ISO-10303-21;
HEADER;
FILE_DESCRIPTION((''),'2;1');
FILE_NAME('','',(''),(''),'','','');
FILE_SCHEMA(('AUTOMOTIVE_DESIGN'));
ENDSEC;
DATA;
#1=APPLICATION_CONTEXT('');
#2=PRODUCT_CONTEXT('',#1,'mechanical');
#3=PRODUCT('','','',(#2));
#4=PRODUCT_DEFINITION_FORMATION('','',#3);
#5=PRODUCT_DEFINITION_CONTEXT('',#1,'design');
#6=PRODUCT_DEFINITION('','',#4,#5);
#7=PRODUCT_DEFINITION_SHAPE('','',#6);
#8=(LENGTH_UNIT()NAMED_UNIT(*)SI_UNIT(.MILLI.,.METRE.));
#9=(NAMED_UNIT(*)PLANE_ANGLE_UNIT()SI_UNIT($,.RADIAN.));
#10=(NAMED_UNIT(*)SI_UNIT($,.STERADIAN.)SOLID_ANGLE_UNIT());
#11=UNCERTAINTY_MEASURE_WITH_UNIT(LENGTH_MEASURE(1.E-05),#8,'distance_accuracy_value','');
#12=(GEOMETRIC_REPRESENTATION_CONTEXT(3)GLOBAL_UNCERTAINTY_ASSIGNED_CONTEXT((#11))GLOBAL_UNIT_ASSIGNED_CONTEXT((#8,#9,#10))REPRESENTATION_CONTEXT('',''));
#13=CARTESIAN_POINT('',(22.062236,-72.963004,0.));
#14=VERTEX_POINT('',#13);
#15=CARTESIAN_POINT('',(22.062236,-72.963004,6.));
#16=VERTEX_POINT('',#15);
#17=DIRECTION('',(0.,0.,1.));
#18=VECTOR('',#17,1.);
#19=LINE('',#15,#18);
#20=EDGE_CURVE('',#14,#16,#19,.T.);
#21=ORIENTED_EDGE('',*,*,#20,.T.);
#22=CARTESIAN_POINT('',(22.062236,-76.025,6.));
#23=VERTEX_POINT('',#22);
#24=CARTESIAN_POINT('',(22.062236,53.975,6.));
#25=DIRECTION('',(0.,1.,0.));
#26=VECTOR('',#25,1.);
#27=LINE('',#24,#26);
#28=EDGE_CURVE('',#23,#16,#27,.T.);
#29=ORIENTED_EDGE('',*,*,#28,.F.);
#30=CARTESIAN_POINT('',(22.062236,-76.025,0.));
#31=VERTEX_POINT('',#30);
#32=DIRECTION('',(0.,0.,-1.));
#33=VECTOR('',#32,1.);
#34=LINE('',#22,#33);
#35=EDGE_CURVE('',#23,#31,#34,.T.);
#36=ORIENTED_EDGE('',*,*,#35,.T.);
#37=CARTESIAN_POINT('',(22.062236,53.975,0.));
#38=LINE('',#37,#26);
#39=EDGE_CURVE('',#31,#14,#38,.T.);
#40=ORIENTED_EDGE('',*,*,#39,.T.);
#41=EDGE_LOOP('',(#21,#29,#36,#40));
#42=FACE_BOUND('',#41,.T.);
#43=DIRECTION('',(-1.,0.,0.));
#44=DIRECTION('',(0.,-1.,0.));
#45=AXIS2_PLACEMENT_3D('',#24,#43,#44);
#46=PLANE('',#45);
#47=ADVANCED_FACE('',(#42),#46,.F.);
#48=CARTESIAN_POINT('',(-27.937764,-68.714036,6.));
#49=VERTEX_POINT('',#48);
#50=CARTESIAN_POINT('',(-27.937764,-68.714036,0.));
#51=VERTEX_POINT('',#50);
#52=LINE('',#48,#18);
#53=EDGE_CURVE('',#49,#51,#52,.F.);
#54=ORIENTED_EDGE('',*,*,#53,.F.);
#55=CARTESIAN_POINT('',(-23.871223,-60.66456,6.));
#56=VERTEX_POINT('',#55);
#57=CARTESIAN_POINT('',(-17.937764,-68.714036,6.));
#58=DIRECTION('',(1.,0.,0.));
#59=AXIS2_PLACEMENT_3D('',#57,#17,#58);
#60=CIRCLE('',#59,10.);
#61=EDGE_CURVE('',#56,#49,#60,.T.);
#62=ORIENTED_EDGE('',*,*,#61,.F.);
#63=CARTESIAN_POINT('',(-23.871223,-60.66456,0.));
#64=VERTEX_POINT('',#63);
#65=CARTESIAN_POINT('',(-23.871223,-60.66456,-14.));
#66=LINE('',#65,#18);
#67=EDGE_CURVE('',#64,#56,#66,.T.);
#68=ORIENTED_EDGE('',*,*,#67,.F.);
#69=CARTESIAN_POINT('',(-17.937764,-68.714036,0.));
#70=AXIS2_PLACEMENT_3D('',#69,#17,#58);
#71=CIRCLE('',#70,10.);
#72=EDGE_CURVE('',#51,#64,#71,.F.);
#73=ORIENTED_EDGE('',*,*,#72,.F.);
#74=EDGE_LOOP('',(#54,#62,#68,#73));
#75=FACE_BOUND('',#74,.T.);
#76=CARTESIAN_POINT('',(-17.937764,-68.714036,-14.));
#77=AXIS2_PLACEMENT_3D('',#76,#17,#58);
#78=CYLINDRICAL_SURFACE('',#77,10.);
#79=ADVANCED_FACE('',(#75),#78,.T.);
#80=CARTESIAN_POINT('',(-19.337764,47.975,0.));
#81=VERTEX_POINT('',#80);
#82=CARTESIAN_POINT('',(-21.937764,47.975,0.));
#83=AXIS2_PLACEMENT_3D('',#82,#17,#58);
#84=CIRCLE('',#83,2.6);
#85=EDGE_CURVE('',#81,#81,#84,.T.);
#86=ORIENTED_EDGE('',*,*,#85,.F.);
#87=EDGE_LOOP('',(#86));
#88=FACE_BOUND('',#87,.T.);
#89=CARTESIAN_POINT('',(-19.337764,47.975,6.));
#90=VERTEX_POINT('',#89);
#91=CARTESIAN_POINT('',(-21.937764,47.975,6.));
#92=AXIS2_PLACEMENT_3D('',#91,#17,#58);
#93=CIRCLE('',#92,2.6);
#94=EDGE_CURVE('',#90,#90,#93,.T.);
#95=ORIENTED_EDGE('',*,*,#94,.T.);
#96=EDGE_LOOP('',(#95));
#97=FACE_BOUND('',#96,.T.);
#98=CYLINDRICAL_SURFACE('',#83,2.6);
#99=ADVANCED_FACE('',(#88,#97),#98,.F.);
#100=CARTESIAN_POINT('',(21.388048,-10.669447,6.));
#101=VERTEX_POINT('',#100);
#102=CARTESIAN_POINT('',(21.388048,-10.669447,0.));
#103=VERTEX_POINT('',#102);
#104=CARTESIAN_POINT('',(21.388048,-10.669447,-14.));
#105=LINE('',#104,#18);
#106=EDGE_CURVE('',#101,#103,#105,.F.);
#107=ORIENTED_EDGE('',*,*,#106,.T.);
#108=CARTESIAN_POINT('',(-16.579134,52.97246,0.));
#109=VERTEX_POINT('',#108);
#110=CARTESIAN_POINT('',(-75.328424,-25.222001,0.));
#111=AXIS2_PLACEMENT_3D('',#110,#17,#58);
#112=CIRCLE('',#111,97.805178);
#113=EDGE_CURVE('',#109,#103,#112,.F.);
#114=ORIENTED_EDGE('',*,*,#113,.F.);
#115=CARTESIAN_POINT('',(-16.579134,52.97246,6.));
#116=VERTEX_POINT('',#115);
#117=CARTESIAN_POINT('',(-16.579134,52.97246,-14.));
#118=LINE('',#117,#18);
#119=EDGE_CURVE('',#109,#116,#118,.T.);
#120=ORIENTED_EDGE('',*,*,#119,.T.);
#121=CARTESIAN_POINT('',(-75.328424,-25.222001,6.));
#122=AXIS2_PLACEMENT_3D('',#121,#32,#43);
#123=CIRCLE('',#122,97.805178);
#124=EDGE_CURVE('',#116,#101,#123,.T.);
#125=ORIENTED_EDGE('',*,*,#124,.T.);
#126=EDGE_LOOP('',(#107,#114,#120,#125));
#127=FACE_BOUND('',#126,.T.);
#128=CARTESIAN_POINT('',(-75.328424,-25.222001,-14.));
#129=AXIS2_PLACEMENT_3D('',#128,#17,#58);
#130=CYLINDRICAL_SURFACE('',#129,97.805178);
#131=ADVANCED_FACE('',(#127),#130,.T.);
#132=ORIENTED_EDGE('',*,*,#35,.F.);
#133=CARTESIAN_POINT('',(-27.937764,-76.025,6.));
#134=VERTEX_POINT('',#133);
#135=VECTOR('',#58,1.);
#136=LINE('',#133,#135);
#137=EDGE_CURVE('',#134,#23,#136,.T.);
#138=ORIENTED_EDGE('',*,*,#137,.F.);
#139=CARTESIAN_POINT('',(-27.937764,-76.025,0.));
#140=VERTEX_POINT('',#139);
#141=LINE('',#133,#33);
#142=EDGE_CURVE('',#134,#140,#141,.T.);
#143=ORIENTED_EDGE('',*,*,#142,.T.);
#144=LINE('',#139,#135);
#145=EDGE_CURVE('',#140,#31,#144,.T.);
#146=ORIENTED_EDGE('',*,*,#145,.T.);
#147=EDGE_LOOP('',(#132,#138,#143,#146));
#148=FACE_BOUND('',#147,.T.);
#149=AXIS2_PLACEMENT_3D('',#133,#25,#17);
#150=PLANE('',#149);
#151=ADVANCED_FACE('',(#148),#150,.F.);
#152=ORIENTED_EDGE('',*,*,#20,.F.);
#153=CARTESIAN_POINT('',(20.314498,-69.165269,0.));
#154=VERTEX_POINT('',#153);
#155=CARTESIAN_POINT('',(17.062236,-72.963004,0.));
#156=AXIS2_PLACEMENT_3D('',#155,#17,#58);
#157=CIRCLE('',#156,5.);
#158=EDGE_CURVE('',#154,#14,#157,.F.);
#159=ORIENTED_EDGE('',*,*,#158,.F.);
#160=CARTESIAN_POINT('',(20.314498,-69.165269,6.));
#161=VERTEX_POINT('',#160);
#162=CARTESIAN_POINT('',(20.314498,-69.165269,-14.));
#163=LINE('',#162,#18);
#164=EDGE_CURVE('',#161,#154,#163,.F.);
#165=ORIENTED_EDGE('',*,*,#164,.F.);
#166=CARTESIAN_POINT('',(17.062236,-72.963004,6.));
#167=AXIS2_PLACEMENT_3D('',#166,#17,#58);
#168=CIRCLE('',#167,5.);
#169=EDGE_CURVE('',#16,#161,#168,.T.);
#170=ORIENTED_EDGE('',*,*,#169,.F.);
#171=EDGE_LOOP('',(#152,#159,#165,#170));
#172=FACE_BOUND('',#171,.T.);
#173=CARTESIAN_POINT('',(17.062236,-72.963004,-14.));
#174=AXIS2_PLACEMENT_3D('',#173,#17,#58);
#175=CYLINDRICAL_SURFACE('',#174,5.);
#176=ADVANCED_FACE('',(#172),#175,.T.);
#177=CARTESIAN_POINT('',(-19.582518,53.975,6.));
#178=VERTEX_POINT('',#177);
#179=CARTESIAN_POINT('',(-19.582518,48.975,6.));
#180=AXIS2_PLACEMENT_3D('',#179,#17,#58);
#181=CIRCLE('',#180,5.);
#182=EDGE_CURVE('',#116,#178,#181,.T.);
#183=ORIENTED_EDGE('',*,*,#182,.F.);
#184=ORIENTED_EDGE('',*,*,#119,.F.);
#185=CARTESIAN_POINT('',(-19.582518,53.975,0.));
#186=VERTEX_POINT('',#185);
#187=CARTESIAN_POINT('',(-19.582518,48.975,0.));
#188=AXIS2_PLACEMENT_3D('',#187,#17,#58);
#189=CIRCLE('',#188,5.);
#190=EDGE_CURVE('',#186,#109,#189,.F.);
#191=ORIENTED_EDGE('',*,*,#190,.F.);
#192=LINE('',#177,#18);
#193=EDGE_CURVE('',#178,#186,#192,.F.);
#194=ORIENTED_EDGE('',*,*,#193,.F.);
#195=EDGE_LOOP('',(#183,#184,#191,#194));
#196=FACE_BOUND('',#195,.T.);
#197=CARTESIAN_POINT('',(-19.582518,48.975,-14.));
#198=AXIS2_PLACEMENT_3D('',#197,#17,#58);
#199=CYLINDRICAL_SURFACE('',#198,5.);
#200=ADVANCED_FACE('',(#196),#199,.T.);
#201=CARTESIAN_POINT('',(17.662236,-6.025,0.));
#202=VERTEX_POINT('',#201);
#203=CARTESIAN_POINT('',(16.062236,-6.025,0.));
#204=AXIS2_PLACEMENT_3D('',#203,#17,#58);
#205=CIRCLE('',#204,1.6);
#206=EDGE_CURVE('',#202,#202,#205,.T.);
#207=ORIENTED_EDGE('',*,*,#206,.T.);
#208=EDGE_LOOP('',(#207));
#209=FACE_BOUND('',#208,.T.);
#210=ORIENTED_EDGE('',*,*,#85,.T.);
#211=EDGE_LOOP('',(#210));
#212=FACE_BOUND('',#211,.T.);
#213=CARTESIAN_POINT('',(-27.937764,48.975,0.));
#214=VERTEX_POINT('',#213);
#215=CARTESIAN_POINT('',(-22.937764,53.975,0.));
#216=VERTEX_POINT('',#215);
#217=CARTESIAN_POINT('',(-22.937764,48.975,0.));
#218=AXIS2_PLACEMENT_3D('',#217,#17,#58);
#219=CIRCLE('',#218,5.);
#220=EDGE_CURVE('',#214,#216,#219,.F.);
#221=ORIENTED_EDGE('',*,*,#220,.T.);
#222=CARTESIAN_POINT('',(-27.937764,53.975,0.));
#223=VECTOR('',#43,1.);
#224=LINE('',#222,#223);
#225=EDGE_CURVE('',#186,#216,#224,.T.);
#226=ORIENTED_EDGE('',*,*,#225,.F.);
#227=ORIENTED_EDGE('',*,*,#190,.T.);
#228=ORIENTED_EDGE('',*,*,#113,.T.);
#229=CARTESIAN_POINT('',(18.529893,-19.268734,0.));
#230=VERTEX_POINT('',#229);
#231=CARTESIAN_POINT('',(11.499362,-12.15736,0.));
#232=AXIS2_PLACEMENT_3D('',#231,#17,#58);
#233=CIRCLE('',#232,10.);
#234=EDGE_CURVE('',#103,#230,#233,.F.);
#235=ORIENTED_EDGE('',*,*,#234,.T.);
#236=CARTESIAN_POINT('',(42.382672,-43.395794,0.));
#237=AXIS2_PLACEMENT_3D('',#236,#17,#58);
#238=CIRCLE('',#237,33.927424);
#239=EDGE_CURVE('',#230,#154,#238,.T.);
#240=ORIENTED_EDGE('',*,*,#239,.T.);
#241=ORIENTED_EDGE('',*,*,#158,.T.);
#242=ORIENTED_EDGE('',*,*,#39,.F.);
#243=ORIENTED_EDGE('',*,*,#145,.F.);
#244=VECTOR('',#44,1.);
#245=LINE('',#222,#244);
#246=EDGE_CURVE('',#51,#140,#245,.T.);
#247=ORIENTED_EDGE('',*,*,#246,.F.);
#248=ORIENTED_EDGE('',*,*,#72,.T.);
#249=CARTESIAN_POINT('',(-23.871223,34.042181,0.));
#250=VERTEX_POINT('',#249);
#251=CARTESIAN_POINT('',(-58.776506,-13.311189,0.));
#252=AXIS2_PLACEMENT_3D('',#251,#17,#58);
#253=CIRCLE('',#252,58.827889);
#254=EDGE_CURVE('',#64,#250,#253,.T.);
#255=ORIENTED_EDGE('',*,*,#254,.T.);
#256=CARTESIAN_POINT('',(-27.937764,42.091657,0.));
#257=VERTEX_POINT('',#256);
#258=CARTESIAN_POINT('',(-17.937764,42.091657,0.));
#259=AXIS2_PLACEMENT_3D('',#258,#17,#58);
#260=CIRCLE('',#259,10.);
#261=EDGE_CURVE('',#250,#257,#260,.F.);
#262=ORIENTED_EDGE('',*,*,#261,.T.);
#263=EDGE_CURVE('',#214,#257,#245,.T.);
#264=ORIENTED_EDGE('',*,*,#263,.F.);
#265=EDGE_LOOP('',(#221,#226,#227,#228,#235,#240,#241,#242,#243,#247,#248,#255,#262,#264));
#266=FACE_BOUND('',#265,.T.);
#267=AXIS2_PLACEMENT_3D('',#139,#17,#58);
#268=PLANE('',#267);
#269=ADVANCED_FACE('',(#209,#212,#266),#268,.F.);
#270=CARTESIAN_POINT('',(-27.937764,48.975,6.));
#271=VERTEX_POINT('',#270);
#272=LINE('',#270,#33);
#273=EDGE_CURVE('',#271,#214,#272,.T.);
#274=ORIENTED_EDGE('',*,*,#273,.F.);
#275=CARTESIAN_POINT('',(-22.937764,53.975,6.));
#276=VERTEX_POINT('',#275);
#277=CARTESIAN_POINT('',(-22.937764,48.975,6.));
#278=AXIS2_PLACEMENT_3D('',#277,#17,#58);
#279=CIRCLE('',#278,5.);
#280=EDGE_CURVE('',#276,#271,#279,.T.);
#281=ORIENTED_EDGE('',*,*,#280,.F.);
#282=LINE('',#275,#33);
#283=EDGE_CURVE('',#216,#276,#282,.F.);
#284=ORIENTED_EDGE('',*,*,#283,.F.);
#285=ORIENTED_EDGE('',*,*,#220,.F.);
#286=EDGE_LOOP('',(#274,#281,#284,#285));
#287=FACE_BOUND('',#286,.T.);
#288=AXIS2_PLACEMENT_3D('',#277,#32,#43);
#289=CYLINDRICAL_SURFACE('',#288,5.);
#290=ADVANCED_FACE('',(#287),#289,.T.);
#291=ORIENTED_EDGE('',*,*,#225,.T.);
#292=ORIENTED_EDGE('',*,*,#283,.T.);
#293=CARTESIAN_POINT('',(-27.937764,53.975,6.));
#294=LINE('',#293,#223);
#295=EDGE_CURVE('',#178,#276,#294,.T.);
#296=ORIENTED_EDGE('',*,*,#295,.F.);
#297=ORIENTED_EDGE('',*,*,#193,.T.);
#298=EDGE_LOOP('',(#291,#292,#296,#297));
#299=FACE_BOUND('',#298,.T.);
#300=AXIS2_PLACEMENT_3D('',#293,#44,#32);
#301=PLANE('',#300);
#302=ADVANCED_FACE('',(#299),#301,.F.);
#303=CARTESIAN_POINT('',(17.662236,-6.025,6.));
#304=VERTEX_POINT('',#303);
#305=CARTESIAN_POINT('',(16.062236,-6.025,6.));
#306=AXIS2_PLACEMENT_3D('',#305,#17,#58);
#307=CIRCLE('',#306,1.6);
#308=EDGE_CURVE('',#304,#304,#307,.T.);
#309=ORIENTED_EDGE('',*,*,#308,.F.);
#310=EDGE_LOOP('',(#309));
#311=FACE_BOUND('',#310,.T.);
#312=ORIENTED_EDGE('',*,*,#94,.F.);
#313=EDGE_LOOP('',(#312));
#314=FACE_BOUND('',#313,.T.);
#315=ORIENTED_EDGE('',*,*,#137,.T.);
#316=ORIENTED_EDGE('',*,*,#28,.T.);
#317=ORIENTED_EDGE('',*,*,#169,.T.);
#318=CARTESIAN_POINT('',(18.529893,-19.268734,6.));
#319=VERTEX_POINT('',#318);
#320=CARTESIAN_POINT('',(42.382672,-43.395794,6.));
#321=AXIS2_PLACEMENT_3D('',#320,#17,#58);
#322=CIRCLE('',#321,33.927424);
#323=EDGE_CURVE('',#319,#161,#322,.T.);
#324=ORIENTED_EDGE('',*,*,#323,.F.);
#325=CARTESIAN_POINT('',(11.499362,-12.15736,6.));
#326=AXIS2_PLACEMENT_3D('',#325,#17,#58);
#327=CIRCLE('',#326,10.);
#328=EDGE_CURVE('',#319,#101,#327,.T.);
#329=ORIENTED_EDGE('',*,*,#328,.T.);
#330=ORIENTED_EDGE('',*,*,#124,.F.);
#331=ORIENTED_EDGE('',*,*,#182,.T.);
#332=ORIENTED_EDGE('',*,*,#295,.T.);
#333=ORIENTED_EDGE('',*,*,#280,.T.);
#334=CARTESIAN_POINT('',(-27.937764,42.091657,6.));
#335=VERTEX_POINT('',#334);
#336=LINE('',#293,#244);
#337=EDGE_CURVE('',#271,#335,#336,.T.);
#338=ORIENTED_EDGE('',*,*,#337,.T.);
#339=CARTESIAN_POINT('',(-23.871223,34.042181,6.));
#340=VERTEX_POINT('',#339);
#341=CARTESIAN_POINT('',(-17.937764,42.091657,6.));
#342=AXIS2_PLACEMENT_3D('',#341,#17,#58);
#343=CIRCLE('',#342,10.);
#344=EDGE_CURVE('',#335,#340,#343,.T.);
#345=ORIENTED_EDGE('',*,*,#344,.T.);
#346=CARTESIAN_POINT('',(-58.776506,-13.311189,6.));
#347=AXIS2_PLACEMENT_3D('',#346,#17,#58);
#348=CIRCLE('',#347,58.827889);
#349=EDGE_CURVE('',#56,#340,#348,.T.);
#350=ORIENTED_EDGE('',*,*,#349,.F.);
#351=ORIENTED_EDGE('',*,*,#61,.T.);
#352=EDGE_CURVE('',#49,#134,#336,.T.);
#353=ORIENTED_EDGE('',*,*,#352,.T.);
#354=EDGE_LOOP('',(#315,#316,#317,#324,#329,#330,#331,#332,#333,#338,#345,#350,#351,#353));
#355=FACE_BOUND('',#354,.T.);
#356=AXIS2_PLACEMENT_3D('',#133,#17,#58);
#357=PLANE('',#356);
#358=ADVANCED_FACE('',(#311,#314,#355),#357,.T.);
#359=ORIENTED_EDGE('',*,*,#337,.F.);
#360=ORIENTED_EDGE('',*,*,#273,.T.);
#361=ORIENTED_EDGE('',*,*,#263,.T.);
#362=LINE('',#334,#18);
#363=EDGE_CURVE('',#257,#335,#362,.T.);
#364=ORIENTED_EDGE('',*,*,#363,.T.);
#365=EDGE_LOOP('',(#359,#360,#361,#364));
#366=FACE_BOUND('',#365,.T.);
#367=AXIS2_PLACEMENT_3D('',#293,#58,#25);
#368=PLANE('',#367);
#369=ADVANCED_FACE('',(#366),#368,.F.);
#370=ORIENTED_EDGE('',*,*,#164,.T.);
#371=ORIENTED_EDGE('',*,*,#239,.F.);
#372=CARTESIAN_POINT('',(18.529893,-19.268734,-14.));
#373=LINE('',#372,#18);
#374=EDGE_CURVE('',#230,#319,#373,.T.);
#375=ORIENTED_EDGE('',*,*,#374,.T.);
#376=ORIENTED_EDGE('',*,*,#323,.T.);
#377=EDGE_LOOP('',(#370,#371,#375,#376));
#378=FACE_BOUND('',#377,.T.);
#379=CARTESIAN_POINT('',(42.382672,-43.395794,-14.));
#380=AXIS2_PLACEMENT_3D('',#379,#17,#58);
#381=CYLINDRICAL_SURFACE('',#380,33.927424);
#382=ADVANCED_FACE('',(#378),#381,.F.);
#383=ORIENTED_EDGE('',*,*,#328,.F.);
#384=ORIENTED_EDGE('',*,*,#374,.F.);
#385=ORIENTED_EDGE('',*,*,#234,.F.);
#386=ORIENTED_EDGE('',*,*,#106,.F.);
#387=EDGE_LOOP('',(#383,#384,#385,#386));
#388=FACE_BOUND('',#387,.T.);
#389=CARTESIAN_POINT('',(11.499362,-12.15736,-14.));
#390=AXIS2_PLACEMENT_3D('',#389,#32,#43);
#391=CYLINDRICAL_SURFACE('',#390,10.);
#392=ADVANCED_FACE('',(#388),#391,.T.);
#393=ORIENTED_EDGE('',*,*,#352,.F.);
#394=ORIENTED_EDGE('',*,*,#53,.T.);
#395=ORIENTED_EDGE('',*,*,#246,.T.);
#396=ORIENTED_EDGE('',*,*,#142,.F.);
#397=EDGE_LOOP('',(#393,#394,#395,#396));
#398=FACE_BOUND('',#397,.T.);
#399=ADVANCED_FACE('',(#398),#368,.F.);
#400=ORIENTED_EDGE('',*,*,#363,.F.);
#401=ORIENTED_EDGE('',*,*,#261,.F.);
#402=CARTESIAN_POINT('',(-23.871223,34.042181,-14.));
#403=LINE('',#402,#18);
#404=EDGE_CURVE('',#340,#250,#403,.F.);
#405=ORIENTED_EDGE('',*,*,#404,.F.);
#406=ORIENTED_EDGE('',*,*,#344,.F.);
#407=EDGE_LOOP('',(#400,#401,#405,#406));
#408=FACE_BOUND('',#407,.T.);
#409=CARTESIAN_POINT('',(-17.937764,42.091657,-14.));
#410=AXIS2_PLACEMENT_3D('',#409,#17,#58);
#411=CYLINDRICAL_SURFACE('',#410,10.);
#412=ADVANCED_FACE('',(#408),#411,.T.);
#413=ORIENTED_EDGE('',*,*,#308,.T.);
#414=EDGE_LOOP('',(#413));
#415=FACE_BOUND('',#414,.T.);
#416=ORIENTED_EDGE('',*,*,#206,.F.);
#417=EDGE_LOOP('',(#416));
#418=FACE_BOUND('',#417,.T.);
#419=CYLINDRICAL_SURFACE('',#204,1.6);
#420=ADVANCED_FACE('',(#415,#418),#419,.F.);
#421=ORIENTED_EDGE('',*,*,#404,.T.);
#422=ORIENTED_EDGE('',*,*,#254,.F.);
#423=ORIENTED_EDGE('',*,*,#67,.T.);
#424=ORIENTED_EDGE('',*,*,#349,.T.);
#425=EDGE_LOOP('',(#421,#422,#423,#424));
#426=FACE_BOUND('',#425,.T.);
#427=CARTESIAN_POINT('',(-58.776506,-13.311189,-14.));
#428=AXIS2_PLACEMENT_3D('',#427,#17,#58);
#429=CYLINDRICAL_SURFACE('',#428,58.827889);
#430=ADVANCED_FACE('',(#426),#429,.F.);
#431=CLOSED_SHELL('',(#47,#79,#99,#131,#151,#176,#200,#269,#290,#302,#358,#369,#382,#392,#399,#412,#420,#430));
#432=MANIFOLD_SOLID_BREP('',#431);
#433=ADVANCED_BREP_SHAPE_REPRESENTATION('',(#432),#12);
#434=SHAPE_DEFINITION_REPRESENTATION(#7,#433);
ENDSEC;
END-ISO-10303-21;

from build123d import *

# Parameters (mm, degrees)
ESQUISSE1_W             = 50
ESQUISSE1_H             = 130
EXTRUSION1_DEPTH        = 6
ESQUISSE3_R             = 2.6
ESQUISSE3_R_2           = 1.6
ENL_V_MAT_EXTRU_1_DEPTH = 6
ENL_V_MAT_EXTRU_2_DEPTH = 20
CONG_1_R                = 10
CONG_2_R                = 5


with BuildPart() as part:
    # Esquisse1 → Extrusion1 (new body)
    with BuildSketch(Plane.XY):
        with Locations((-2.937764085, -11.025)):
            Rectangle(ESQUISSE1_W, ESQUISSE1_H)
    extrude(amount=EXTRUSION1_DEPTH)

    # Esquisse3 → Enlèv. mat.-Extru.1 (cut)
    with BuildSketch(Plane.XY.offset(6)):
        with Locations((-21.937764085, 47.975)):
            Circle(ESQUISSE3_R)
        with Locations((16.062235915, -6.025)):
            Circle(ESQUISSE3_R_2)
        Polygon((-7.937764085, 53.975), (22.062235915, 3.975), (22.062235915, 53.975), align=None)
    extrude(amount=-ENL_V_MAT_EXTRU_1_DEPTH, mode=Mode.SUBTRACT)

    # Esquisse4 → Enlèv. mat.-Extru.2 (cut)
    with BuildSketch(Plane.XY.offset(6)):
        with BuildLine():
            Line((-27.937764085, 36.785641628), (-27.937764085, -63.408020344))
            ThreePointArc((-27.937764085, -63.408020344), (0.051382603, -13.311189358), (-27.937764085, 36.785641628))
        make_face()
        with BuildLine():
            Line((-17.937764085, 53.975), (9.122584116, 53.975))
            Line((9.122584116, 53.975), (35.098718701, 7.628755869))
            Line((35.098718701, 7.628755869), (22.062235915, -70.564710485))
            ThreePointArc((22.062235915, -70.564710485), (8.455247334, -43.39579421), (22.062235915, -16.226877934))
            ThreePointArc((22.062235915, -16.226877934), (9.650339, 23.197650833), (-17.937764085, 53.975))
        make_face()
    extrude(amount=-ENL_V_MAT_EXTRU_2_DEPTH, mode=Mode.SUBTRACT)

    # Congé1
    cong_1_edges = [part.edges().sort_by_distance(p)[0] for p in [
        (-27.937764085, 36.785641628, 3),
        (-27.937764085, -63.408020344, 3),
        (22.062235915, -16.226877934, 3),
    ]]
    fillet(cong_1_edges, radius=CONG_1_R)

    # Congé2
    cong_2_edges = [part.edges().sort_by_distance(p)[0] for p in [
        (22.062235915, -70.564710485, 3),
        (-17.937764085, 53.975, 3),
        (-27.937764085, 53.975, 3),
    ]]
    fillet(cong_2_edges, radius=CONG_2_R)


solid = part.part
